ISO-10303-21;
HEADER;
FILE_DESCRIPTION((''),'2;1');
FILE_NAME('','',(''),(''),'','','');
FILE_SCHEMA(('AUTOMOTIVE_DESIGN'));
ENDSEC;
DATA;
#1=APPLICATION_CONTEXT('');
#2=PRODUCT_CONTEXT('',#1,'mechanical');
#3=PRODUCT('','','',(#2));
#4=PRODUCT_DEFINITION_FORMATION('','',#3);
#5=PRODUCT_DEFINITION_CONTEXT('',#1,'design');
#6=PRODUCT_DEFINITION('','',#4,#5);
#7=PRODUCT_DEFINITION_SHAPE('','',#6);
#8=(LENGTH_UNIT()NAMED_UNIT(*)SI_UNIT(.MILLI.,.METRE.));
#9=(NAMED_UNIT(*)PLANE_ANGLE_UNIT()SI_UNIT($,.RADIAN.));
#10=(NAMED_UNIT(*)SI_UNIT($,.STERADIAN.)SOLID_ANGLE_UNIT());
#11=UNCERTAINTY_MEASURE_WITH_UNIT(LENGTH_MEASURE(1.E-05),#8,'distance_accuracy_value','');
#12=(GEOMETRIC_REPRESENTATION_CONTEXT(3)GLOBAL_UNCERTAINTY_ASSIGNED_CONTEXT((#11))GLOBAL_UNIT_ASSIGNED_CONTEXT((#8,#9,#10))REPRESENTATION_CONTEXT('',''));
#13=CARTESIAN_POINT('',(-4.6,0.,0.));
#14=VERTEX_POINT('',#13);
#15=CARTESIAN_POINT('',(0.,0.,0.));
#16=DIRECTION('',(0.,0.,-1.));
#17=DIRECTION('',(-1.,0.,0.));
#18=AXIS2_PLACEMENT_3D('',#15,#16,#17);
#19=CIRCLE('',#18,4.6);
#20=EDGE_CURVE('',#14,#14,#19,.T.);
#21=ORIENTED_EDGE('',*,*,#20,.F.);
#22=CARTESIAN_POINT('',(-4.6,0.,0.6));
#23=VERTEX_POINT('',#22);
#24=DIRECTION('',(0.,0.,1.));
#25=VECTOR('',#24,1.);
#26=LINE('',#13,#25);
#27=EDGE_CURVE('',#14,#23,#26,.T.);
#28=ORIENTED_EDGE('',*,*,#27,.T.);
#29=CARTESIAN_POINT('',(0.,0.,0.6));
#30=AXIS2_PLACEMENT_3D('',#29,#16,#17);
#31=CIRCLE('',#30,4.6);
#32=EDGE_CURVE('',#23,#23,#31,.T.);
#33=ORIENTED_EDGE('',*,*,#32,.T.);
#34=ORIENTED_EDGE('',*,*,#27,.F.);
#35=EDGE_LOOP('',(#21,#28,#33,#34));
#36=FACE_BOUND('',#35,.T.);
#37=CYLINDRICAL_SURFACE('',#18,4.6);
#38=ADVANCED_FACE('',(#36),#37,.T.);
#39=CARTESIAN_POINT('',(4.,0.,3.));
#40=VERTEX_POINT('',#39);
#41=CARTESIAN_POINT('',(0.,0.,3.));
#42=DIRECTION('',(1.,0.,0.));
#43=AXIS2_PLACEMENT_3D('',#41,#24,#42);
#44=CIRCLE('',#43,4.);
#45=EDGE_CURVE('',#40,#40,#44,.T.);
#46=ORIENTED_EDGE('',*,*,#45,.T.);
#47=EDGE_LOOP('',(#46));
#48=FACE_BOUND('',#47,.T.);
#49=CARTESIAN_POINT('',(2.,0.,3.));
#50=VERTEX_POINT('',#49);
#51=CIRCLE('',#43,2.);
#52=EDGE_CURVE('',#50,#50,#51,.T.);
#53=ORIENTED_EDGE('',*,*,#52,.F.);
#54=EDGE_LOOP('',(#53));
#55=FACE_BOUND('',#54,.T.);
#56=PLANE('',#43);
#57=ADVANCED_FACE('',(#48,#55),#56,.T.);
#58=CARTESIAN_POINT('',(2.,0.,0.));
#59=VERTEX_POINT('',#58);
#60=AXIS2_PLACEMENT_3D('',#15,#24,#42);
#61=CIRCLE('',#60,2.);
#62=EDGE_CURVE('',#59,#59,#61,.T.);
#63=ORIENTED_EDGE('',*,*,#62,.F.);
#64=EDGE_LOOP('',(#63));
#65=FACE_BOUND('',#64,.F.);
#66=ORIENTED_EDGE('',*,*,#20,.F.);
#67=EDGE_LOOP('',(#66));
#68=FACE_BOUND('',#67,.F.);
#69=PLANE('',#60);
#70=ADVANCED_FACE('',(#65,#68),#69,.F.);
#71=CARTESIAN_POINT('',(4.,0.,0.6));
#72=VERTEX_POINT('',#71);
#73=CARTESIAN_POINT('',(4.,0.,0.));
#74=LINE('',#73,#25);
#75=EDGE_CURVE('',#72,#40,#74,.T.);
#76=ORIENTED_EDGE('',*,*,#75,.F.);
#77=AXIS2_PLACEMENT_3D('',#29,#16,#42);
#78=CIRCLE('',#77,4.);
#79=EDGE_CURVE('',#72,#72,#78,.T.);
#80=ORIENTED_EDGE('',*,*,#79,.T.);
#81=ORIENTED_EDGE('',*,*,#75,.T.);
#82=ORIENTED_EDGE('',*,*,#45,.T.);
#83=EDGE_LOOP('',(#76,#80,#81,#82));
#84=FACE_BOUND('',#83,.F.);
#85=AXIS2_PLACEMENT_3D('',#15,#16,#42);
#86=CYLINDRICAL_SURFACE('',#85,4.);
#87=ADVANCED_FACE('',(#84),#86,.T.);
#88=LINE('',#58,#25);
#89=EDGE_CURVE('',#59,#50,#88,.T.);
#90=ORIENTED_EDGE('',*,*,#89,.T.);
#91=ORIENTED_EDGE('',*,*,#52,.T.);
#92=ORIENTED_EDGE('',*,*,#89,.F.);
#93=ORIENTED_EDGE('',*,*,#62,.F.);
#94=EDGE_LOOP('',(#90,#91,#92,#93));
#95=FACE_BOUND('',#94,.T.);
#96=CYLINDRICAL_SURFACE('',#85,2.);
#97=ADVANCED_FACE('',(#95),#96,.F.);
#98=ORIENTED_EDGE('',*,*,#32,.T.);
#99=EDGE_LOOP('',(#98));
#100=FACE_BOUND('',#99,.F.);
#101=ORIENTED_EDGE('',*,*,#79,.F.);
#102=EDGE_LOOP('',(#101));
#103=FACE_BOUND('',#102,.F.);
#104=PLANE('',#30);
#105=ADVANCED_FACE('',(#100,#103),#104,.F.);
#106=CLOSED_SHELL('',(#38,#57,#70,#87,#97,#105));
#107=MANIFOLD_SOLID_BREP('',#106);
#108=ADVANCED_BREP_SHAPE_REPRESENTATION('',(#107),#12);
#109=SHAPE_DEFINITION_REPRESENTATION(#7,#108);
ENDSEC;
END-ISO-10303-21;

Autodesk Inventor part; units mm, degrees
ref_plane "YZ Plane" through (0, 0, 0) normal (1, 0, 0) x (0, 1, 0)
ref_plane "XZ Plane" through (0, 0, 0) normal (0, 1, 0) x (-1, 0, 0)
ref_plane "XY Plane" through (0, 0, 0) normal (0, 0, 1) x (1, 0, 0)
sketch "スケッチ1" plane through (0, 0, 0) normal (0, 0, 1) x (1, 0, 0)
  circle A0 centre (0, 0) radius 2
  circle A1 centre (0, 0) radius 4
  dimension "d0" = 4
  dimension "d1" = 8
extrude "押し出し1" add sketch "スケッチ1" along normal blind 3
sketch "スケッチ2" plane through (0, 0, 0) normal (0, 0, -1) x (-1, 0, 0)
  circle A0 centre (0, 0) radius 2 projected
  circle A1 centre (0, 0) radius 4.6
  dimension "d4" = 9.2
extrude "押し出し2" add sketch "スケッチ2" against normal blind 0.6
properties part number "ベアリングフランジ付き040803" material "鋼、高強度、低合金"
